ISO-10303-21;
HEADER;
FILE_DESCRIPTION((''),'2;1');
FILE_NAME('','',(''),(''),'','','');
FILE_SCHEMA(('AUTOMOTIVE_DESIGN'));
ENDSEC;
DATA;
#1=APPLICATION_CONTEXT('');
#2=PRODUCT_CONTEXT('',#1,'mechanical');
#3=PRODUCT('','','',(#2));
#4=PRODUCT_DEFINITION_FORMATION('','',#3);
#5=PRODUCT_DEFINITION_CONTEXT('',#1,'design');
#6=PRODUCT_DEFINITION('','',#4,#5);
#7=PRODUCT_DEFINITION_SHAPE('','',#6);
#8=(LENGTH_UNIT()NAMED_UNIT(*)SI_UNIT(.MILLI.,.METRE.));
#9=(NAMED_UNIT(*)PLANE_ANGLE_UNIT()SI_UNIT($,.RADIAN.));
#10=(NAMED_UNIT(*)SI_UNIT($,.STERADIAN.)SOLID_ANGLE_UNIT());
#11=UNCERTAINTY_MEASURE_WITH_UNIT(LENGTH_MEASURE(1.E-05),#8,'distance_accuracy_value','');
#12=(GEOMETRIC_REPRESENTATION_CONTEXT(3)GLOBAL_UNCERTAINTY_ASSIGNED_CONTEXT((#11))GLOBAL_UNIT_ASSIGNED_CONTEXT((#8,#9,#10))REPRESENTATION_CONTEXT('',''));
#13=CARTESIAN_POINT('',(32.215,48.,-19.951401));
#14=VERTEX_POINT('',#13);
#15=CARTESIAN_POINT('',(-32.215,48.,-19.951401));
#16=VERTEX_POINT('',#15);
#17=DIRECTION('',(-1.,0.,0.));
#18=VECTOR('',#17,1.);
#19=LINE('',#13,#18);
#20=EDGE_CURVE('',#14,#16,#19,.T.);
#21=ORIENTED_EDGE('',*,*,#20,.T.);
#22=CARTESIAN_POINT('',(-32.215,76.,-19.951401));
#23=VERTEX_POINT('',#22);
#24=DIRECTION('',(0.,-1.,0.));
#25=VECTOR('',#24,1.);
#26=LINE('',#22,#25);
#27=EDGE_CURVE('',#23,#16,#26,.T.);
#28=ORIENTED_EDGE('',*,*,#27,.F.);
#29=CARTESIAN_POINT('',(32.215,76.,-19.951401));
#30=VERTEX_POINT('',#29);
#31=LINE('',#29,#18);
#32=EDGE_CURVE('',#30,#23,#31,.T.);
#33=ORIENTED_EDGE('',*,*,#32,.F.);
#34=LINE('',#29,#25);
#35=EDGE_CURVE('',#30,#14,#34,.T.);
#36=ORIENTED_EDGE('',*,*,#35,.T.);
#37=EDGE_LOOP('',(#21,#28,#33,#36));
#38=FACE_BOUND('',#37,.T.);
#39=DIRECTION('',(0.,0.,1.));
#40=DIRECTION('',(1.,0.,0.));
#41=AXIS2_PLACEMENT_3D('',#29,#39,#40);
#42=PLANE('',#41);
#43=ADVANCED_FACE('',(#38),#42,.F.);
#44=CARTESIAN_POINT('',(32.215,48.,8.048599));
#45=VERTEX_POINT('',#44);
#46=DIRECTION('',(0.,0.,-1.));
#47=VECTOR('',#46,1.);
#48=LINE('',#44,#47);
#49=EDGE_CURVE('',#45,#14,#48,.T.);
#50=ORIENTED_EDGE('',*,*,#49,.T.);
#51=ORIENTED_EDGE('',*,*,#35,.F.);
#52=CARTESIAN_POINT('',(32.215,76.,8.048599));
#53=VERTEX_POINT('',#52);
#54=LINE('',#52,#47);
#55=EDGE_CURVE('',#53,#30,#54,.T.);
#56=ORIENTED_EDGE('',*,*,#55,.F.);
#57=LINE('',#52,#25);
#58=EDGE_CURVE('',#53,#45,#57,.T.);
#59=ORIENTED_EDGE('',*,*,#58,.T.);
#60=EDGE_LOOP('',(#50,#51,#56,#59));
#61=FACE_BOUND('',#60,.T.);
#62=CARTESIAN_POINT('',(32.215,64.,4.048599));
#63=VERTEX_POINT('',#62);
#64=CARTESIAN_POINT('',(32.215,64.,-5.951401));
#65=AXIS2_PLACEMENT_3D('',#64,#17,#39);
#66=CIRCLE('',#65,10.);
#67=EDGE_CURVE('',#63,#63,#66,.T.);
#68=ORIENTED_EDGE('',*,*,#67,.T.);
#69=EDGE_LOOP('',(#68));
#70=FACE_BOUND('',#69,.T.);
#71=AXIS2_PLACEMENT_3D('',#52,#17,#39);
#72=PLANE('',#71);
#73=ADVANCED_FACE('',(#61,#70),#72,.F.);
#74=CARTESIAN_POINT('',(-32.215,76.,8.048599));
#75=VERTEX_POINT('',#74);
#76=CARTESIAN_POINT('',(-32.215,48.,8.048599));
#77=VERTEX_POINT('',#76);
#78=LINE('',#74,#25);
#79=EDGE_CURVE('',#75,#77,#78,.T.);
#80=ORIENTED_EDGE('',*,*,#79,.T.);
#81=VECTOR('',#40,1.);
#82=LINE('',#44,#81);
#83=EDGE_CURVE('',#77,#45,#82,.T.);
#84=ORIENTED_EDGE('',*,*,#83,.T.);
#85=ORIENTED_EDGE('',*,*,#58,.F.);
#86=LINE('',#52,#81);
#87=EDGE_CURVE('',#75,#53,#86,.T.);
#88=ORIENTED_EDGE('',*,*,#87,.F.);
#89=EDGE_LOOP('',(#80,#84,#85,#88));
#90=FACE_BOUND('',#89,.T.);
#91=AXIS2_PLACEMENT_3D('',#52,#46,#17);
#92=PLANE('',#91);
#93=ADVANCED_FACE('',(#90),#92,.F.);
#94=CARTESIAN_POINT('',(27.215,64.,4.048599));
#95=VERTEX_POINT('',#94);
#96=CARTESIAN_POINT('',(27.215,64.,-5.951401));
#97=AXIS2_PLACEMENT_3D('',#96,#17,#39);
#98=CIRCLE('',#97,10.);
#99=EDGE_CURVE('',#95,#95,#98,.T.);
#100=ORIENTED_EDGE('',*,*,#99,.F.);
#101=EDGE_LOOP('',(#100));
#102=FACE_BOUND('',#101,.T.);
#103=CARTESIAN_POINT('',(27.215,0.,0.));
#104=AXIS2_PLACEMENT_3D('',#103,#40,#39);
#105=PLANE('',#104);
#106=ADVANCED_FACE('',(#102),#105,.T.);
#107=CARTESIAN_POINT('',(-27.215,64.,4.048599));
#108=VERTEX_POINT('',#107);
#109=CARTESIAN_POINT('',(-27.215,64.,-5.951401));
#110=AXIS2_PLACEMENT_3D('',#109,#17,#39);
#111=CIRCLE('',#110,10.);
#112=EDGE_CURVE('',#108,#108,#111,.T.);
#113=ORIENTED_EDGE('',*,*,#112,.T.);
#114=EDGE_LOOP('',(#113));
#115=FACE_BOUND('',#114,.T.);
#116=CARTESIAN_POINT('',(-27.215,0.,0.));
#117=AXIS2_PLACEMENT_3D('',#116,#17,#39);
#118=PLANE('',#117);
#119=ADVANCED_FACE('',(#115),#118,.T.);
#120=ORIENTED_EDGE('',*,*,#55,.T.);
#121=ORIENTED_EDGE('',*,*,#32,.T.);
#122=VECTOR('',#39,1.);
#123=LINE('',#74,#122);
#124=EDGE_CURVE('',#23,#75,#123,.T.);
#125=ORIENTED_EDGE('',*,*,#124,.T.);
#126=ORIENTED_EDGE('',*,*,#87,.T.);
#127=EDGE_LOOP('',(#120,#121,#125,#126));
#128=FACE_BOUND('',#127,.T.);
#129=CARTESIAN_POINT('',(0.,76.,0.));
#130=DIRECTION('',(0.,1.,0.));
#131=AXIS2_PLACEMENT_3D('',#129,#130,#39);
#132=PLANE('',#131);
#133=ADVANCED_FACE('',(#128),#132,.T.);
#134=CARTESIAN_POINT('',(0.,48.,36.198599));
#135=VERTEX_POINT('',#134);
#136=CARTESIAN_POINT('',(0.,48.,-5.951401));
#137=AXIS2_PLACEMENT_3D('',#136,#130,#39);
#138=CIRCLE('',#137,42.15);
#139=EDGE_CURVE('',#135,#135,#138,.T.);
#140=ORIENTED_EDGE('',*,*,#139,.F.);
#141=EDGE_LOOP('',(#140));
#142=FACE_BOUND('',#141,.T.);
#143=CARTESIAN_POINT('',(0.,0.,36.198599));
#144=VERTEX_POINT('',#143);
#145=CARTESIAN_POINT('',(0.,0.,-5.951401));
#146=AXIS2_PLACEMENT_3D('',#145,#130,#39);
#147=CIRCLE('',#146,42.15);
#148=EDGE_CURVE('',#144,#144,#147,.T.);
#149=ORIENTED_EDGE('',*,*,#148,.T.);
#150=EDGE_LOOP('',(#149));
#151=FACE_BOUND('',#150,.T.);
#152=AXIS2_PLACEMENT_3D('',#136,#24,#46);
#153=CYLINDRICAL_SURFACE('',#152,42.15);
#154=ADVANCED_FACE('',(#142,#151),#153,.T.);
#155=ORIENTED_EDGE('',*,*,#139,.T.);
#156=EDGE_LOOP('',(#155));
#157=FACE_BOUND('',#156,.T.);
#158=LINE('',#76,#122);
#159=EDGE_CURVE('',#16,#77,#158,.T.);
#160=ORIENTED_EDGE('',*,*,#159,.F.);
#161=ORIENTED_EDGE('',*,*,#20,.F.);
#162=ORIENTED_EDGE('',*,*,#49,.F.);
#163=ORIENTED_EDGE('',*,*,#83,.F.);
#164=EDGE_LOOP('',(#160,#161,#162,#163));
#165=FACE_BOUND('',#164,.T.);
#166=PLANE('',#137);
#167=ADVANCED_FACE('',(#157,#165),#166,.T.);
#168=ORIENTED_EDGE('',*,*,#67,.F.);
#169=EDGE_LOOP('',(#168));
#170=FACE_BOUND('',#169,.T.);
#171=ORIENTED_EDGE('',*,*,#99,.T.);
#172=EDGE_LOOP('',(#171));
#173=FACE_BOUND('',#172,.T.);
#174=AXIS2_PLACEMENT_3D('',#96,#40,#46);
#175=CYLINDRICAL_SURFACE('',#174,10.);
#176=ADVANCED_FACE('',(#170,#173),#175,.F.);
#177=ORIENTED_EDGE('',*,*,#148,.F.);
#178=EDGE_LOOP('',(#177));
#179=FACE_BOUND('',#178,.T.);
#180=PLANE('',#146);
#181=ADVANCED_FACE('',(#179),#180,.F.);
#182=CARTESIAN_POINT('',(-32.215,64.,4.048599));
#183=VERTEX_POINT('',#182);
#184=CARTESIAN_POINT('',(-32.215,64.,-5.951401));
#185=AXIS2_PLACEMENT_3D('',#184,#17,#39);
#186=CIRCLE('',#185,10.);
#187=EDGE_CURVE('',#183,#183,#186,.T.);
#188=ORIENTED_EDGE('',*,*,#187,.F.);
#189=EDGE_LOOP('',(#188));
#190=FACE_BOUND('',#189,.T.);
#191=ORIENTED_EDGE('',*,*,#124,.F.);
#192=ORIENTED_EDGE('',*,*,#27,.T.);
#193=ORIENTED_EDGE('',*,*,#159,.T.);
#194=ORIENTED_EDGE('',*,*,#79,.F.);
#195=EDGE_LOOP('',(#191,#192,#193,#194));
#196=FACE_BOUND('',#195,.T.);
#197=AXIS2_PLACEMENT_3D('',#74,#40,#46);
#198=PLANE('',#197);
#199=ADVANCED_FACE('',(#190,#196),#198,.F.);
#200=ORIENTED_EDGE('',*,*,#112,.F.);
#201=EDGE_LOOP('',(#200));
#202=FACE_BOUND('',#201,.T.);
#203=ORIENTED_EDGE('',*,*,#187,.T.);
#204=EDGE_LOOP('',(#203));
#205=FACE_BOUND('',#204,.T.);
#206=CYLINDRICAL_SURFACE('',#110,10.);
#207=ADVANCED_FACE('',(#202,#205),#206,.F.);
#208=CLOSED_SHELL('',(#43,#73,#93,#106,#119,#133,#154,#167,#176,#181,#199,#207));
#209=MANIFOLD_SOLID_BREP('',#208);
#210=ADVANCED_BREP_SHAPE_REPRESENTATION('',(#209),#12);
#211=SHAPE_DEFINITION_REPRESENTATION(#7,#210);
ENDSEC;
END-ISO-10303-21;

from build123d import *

# Parameters (mm, degrees)
SKETCH1_R           = 42.15
BOSS_EXTRUDE1_DEPTH = 48
SKETCH2_W           = 64.43
SKETCH2_H           = 28
BOSS_EXTRUDE2_DEPTH = 28
SKETCH3_R           = 10
CUT_EXTRUDE1_DEPTH  = 5


with BuildPart() as part:
    # Sketch1 → Boss-Extrude1 (new body)
    with BuildSketch(Plane(origin=(0, 0, 0), x_dir=(1, 0, 0), z_dir=(0, 1, 0))):
        with Locations((0, 5.951400749)):
            Circle(SKETCH1_R)
    extrude(amount=BOSS_EXTRUDE1_DEPTH)

    # Sketch2 → Boss-Extrude2 (add)
    with BuildSketch(Plane(origin=(0, 48, 0), x_dir=(1, 0, 0), z_dir=(0, 1, 0))):
        with Locations((0, 5.951400749)):
            Rectangle(SKETCH2_W, SKETCH2_H)
    extrude(amount=BOSS_EXTRUDE2_DEPTH)

    # Sketch3 → Cut-Extrude1 (cut)
    with BuildSketch(Plane.ZY.offset(32.215)):
        with Locations((-5.951400749, 64)):
            Circle(SKETCH3_R)
    cut_extrude1 = extrude(amount=-CUT_EXTRUDE1_DEPTH, mode=Mode.SUBTRACT)

    # Mirror2: Cut-Extrude1 across plane
    add(cut_extrude1.mirror(Plane.ZY), mode=Mode.SUBTRACT)


solid = part.part
